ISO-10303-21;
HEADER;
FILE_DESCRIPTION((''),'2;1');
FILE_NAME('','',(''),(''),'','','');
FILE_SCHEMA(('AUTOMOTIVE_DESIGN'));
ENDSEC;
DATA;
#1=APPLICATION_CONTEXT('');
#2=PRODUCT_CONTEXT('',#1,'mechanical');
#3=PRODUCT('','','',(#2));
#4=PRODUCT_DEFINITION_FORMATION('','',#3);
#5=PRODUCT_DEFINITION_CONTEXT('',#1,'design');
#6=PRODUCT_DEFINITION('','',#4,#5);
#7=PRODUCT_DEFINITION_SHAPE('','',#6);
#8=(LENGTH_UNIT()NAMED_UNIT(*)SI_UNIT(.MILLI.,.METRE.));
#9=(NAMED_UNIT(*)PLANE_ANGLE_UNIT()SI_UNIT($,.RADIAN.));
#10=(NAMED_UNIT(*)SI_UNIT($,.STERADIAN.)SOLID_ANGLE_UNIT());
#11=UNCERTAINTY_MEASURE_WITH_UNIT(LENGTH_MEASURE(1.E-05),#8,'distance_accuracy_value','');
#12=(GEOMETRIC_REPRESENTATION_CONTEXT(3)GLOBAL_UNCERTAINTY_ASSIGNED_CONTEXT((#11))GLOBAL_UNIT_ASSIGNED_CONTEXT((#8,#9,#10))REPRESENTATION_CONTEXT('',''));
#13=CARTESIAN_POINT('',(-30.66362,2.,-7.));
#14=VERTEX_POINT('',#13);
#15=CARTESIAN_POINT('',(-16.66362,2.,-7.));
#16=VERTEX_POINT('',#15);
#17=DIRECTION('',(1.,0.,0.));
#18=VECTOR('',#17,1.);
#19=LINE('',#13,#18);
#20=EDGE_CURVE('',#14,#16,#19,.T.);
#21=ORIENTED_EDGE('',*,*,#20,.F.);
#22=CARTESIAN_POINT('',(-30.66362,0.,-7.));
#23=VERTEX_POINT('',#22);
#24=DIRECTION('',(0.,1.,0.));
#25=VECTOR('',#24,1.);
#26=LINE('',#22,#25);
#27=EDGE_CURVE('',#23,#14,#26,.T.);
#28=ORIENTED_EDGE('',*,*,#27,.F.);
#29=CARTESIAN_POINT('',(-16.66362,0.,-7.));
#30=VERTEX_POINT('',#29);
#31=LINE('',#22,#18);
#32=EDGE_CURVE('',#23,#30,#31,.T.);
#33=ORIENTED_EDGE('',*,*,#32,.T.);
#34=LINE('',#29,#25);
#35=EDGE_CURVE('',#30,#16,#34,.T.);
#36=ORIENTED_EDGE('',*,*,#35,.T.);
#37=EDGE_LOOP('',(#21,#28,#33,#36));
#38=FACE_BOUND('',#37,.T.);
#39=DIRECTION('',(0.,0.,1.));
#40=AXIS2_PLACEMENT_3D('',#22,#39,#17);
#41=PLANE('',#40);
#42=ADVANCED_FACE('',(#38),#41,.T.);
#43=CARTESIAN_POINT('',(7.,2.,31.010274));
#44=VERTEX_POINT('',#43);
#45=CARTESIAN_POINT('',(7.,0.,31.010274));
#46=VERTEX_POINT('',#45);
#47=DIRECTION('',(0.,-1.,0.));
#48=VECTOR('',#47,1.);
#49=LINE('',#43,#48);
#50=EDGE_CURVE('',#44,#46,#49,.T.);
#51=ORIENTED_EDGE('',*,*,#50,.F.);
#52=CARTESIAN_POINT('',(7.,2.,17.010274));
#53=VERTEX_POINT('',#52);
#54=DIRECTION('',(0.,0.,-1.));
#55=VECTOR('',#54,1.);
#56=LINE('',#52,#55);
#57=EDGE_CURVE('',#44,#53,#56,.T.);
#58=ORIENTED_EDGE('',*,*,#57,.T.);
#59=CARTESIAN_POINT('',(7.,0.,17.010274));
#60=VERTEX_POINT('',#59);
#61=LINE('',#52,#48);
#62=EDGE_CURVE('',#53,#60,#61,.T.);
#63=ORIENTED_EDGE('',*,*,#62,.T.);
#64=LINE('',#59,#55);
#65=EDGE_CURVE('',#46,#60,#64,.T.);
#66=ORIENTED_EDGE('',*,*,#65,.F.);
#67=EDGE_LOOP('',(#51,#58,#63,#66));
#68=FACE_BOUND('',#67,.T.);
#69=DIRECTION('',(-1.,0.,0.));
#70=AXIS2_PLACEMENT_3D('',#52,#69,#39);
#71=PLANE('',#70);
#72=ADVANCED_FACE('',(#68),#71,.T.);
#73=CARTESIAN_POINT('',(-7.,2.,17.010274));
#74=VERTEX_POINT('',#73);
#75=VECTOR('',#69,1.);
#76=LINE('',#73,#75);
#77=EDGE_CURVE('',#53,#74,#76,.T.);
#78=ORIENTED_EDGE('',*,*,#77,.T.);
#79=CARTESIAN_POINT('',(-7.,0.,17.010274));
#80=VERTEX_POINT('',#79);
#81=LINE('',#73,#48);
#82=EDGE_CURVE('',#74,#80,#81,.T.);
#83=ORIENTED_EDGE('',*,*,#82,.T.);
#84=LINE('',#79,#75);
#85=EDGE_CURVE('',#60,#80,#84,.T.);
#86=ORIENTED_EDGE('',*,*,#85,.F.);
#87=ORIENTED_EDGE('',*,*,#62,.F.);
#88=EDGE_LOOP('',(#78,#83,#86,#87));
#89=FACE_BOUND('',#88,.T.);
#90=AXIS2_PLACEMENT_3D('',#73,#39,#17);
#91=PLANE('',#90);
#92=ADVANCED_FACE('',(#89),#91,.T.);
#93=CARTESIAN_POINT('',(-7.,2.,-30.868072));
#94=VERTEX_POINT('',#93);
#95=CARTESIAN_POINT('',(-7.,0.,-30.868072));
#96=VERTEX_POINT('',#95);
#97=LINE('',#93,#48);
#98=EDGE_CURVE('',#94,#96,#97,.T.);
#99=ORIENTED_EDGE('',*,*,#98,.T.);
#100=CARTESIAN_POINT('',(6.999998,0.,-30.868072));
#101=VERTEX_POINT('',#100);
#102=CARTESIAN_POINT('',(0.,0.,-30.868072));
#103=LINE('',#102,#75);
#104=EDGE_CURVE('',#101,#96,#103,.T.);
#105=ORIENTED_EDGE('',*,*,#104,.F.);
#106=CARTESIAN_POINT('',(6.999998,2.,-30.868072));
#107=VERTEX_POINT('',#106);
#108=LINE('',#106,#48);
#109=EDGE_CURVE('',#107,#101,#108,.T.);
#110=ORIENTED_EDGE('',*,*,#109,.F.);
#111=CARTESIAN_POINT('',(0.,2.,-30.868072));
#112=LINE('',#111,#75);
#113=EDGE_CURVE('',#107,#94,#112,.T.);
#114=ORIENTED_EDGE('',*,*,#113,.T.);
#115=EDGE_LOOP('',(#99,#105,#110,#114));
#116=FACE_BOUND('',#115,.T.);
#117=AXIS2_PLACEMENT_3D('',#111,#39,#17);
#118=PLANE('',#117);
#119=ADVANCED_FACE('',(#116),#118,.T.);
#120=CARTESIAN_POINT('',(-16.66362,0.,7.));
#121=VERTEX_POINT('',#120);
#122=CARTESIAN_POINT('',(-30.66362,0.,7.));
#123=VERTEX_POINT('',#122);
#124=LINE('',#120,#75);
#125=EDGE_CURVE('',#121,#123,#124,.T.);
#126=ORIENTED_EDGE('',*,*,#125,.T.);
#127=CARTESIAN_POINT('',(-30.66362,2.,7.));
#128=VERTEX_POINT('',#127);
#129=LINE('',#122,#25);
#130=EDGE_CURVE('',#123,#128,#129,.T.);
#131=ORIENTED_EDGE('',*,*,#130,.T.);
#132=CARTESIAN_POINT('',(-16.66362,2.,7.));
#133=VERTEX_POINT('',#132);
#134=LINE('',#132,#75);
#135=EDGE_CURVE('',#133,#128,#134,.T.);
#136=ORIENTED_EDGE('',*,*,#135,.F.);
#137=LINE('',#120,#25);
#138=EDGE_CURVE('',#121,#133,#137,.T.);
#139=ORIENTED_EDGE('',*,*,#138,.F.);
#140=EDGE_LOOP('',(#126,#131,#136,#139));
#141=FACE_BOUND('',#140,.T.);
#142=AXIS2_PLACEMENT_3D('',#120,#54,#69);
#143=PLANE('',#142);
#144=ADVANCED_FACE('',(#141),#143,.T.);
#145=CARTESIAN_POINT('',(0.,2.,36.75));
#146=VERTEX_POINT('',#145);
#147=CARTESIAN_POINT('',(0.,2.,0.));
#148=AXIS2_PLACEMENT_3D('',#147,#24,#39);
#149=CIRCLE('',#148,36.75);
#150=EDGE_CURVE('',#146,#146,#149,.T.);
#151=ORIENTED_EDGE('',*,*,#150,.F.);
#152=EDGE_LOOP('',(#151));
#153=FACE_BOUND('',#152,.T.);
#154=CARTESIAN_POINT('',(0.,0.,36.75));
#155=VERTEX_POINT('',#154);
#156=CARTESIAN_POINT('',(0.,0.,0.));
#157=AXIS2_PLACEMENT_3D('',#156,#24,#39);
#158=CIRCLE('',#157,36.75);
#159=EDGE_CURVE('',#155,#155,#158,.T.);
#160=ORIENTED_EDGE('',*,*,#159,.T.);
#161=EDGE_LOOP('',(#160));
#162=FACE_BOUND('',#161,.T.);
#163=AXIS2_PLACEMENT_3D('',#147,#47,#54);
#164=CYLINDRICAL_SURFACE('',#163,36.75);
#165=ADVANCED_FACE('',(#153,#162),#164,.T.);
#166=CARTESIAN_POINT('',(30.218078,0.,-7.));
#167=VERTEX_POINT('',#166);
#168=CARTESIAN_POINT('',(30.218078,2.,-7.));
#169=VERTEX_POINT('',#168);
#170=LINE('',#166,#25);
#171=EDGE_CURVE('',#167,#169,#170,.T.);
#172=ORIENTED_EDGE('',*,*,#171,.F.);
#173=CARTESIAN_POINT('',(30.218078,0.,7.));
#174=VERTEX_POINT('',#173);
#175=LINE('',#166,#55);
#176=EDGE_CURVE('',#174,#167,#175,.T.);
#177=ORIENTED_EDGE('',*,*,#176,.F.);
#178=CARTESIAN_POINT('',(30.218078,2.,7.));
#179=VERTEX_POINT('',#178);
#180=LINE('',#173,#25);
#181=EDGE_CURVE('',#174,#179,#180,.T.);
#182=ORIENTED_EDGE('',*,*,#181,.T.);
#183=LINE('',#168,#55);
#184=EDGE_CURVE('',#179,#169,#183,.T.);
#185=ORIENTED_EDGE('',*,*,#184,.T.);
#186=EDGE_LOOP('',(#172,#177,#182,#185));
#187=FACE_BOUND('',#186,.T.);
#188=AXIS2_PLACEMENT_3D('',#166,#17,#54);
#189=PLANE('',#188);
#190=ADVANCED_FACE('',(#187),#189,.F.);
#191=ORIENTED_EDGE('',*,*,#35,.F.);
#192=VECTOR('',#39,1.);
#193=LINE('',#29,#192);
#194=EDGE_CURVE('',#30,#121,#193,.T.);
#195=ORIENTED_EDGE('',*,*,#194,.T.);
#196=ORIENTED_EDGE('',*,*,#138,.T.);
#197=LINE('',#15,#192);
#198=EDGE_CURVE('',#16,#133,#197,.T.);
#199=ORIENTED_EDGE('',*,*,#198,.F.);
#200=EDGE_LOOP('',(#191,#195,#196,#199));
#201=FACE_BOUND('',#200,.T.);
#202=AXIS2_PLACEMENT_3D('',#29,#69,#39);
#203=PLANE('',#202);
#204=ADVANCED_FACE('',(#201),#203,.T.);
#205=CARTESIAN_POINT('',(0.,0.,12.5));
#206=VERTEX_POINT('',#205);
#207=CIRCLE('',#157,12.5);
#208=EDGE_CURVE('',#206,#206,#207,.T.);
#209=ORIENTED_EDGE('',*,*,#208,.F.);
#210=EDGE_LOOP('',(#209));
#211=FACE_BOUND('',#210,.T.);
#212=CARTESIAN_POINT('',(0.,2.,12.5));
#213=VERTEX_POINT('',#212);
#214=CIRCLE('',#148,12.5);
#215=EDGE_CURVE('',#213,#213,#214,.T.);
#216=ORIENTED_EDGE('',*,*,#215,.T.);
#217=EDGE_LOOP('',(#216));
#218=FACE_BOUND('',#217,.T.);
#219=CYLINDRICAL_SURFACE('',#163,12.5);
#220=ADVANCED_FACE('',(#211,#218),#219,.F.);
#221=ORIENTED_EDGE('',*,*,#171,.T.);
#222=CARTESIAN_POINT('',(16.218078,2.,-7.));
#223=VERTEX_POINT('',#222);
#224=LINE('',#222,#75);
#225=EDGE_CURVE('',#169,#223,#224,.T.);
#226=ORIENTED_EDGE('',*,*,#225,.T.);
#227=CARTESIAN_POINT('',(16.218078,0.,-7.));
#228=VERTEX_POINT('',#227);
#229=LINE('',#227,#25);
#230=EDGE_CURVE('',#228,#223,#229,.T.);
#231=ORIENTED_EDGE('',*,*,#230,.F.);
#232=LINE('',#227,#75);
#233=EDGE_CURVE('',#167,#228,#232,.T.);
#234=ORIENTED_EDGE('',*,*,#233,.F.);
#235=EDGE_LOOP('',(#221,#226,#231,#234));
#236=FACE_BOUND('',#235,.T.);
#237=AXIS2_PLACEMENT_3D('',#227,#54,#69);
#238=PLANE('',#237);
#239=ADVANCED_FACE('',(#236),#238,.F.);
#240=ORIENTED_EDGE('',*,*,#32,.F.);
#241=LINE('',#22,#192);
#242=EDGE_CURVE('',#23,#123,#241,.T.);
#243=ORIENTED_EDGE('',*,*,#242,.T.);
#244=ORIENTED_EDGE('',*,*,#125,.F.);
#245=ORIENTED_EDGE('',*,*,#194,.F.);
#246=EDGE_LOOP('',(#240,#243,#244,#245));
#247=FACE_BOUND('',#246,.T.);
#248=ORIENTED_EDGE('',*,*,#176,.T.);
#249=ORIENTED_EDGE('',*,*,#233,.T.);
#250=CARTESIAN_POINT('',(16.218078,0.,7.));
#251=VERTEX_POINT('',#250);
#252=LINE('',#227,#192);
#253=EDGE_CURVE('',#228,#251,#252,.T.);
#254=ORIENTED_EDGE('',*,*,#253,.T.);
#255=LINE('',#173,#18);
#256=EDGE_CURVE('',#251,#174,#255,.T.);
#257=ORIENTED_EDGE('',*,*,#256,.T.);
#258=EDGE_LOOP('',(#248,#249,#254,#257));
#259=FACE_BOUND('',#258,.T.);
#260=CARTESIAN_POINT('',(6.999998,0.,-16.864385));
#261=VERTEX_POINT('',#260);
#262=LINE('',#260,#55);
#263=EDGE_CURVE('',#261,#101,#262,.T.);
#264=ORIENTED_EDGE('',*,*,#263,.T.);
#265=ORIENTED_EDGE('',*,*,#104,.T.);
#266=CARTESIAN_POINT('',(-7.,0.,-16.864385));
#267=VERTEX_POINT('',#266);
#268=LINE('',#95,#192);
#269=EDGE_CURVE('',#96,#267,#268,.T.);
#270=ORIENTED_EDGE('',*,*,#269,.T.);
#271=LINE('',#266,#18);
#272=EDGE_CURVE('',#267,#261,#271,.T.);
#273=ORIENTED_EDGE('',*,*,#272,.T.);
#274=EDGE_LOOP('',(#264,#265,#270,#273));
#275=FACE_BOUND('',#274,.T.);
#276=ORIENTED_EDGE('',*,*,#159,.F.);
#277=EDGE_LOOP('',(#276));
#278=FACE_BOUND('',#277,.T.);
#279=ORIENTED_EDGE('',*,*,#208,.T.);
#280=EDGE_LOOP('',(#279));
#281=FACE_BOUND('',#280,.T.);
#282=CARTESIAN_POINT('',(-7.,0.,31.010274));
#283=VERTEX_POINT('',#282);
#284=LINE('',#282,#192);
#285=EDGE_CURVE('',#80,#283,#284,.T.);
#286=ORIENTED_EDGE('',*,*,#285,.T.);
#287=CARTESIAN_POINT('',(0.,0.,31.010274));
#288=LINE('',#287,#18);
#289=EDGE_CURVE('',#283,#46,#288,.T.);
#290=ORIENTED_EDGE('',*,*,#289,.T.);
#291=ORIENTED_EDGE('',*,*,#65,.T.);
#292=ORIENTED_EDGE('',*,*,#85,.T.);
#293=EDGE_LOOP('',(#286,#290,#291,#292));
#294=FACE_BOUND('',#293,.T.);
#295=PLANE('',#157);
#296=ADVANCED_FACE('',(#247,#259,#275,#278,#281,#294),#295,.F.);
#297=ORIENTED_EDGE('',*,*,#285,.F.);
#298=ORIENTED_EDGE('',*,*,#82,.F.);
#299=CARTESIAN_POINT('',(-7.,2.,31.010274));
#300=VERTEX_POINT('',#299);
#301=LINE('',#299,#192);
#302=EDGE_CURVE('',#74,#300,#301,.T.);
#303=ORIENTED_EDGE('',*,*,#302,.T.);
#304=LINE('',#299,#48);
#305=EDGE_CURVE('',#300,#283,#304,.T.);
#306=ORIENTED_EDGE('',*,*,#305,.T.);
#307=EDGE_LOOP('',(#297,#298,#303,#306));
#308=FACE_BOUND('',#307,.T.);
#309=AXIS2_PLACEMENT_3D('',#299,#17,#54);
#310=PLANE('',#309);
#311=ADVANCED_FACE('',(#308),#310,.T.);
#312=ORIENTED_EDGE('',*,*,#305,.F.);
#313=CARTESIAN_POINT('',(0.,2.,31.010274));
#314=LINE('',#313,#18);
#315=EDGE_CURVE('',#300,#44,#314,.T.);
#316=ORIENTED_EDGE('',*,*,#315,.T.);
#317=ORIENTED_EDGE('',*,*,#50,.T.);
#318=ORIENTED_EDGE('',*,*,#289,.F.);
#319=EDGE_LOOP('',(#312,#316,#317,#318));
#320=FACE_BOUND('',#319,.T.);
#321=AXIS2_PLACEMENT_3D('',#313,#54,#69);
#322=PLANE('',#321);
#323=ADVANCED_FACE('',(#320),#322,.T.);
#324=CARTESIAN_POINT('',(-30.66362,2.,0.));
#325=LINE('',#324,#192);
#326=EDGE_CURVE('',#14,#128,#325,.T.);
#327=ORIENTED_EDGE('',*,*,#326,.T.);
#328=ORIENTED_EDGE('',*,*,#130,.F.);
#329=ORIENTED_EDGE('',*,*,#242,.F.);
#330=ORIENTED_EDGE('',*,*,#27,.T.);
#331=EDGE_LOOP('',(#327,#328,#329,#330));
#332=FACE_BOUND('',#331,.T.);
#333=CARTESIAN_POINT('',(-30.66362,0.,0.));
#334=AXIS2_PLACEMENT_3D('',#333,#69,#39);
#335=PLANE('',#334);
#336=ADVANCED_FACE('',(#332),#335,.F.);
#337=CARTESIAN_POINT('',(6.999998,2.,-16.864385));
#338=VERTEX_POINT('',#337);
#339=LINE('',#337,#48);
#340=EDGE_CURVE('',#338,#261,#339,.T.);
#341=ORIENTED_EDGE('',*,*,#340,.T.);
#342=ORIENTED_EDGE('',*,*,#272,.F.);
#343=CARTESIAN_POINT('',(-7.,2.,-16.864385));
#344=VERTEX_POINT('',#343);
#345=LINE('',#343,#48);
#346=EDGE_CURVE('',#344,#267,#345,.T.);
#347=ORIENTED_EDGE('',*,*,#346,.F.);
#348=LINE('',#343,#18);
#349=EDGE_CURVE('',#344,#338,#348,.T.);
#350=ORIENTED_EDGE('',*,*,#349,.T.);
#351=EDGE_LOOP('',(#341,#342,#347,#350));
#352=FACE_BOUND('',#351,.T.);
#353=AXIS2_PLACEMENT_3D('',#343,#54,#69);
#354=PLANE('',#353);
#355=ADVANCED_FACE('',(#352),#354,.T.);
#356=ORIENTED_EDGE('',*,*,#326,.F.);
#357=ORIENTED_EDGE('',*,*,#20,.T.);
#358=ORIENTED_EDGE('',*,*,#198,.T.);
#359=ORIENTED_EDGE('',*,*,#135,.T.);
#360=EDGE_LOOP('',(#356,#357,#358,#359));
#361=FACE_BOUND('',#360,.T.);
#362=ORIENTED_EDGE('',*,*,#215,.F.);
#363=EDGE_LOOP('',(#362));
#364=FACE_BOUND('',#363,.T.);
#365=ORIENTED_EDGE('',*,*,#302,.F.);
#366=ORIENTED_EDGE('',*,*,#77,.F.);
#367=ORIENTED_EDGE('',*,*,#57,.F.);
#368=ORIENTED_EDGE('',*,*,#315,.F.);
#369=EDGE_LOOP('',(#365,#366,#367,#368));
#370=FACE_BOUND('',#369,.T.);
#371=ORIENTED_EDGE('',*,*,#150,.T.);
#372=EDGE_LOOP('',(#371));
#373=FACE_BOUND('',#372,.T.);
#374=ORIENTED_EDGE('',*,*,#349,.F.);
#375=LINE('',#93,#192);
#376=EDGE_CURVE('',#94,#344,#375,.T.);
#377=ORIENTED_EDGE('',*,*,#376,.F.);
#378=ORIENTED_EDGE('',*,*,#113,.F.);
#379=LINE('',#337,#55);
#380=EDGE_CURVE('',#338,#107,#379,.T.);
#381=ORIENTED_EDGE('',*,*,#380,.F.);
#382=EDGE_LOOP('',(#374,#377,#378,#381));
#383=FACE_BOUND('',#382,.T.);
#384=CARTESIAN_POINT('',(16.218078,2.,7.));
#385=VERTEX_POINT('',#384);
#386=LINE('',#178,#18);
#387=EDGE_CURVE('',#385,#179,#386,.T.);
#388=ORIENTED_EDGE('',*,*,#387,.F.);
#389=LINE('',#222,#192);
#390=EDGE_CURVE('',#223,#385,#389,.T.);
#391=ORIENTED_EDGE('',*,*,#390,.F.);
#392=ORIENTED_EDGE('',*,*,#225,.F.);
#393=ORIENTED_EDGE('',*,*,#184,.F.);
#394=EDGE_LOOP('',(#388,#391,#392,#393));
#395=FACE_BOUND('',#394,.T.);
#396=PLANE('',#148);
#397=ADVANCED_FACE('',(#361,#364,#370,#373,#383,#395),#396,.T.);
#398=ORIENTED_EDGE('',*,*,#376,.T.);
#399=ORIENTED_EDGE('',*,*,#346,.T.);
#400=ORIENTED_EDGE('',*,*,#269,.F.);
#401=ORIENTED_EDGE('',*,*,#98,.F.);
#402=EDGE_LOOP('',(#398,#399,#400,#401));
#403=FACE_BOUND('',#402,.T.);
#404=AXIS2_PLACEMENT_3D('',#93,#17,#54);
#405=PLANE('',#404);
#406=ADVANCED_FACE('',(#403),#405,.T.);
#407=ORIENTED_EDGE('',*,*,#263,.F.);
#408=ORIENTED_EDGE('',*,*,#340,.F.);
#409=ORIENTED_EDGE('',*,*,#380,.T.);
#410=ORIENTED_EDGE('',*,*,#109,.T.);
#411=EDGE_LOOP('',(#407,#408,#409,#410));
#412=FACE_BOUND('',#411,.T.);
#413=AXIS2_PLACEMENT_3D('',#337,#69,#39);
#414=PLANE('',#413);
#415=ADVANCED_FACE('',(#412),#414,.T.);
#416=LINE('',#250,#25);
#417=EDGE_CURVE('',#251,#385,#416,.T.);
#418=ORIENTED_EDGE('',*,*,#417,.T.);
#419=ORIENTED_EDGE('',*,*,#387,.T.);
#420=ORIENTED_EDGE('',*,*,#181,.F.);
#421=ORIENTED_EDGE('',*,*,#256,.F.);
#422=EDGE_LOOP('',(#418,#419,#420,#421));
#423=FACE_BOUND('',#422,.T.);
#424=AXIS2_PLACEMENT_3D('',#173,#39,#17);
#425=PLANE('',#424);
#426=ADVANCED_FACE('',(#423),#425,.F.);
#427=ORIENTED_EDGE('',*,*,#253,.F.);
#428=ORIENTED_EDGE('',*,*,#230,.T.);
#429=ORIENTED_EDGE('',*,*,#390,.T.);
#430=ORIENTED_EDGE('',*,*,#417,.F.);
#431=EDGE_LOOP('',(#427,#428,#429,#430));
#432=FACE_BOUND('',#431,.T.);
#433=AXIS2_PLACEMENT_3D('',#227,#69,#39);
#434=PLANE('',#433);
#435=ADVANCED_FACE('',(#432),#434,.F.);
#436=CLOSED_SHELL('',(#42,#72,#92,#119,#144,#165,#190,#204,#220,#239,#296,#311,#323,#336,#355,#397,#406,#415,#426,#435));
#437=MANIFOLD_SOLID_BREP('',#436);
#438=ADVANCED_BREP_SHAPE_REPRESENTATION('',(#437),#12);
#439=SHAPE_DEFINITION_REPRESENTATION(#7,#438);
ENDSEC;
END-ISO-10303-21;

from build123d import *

# Parameters (mm, degrees)
SKETCH3_R           = 36.75
BOSS_EXTRUDE1_DEPTH = 2
SKETCH4_R           = 12.5
CUT_EXTRUDE1_DEPTH  = 53.010816183
CUT_EXTRUDE2_DEPTH  = 53.010816183
SKETCH6_W           = 14
SKETCH6_H           = 14
CUT_EXTRUDE3_DEPTH  = 53.010816183
CUT_EXTRUDE4_DEPTH  = 53.010816183


with BuildPart() as part:
    # Sketch3 → Boss-Extrude1 (new body)
    with BuildSketch(Plane(origin=(0, 0, 0), x_dir=(1, 0, 0), z_dir=(0, 1, 0))):
        with Locations(Location((0, 0, 0), (0, 0, 270))):
            Circle(SKETCH3_R)
    extrude(amount=BOSS_EXTRUDE1_DEPTH)

    # Sketch4 → Cut-Extrude1 (cut, through all)
    with BuildSketch(Plane(origin=(0, 0, 0), x_dir=(1, 0, 0), z_dir=(0, 1, 0))):
        with Locations(Location((0, 0, 0), (0, 0, 270))):
            Circle(SKETCH4_R)
    extrude(amount=CUT_EXTRUDE1_DEPTH, mode=Mode.SUBTRACT)

    # Sketch5 → Cut-Extrude2 (cut, through all)
    with BuildSketch(Plane(origin=(0, 2, 0), x_dir=(1, 0, 0), z_dir=(0, 1, 0))):
        Polygon((-30.663619776, 7), (-30.663619776, 0), (-30.663619776, -7), (-16.663619776, -7), (-16.663619776, 7), align=None)
    extrude(amount=-CUT_EXTRUDE2_DEPTH, mode=Mode.SUBTRACT)

    # Sketch6 → Cut-Extrude3 (cut, through all)
    with BuildSketch(Plane(origin=(0, 2, 0), x_dir=(1, 0, 0), z_dir=(0, 1, 0))):
        with Locations((23.218077959, 0)):
            Rectangle(SKETCH6_W, SKETCH6_H)
    extrude(amount=-CUT_EXTRUDE3_DEPTH, mode=Mode.SUBTRACT)

    # Sketch8 → Cut-Extrude4 (cut, through all)
    with BuildSketch(Plane(origin=(0, 0, 0), x_dir=(1, 0, 0), z_dir=(0, 1, 0))):
        Polygon((0, 30.868072457), (-7, 30.868072457), (-7, 16.864385373), (6.999997959, 16.864385373), (6.999997959, 30.868072457), align=None)
        Polygon((0, -31.010274177), (7, -31.010274177), (7, -17.010274177), (-7, -17.010274177), (-7, -31.010274177), align=None)
    extrude(amount=CUT_EXTRUDE4_DEPTH, mode=Mode.SUBTRACT)


solid = part.part
